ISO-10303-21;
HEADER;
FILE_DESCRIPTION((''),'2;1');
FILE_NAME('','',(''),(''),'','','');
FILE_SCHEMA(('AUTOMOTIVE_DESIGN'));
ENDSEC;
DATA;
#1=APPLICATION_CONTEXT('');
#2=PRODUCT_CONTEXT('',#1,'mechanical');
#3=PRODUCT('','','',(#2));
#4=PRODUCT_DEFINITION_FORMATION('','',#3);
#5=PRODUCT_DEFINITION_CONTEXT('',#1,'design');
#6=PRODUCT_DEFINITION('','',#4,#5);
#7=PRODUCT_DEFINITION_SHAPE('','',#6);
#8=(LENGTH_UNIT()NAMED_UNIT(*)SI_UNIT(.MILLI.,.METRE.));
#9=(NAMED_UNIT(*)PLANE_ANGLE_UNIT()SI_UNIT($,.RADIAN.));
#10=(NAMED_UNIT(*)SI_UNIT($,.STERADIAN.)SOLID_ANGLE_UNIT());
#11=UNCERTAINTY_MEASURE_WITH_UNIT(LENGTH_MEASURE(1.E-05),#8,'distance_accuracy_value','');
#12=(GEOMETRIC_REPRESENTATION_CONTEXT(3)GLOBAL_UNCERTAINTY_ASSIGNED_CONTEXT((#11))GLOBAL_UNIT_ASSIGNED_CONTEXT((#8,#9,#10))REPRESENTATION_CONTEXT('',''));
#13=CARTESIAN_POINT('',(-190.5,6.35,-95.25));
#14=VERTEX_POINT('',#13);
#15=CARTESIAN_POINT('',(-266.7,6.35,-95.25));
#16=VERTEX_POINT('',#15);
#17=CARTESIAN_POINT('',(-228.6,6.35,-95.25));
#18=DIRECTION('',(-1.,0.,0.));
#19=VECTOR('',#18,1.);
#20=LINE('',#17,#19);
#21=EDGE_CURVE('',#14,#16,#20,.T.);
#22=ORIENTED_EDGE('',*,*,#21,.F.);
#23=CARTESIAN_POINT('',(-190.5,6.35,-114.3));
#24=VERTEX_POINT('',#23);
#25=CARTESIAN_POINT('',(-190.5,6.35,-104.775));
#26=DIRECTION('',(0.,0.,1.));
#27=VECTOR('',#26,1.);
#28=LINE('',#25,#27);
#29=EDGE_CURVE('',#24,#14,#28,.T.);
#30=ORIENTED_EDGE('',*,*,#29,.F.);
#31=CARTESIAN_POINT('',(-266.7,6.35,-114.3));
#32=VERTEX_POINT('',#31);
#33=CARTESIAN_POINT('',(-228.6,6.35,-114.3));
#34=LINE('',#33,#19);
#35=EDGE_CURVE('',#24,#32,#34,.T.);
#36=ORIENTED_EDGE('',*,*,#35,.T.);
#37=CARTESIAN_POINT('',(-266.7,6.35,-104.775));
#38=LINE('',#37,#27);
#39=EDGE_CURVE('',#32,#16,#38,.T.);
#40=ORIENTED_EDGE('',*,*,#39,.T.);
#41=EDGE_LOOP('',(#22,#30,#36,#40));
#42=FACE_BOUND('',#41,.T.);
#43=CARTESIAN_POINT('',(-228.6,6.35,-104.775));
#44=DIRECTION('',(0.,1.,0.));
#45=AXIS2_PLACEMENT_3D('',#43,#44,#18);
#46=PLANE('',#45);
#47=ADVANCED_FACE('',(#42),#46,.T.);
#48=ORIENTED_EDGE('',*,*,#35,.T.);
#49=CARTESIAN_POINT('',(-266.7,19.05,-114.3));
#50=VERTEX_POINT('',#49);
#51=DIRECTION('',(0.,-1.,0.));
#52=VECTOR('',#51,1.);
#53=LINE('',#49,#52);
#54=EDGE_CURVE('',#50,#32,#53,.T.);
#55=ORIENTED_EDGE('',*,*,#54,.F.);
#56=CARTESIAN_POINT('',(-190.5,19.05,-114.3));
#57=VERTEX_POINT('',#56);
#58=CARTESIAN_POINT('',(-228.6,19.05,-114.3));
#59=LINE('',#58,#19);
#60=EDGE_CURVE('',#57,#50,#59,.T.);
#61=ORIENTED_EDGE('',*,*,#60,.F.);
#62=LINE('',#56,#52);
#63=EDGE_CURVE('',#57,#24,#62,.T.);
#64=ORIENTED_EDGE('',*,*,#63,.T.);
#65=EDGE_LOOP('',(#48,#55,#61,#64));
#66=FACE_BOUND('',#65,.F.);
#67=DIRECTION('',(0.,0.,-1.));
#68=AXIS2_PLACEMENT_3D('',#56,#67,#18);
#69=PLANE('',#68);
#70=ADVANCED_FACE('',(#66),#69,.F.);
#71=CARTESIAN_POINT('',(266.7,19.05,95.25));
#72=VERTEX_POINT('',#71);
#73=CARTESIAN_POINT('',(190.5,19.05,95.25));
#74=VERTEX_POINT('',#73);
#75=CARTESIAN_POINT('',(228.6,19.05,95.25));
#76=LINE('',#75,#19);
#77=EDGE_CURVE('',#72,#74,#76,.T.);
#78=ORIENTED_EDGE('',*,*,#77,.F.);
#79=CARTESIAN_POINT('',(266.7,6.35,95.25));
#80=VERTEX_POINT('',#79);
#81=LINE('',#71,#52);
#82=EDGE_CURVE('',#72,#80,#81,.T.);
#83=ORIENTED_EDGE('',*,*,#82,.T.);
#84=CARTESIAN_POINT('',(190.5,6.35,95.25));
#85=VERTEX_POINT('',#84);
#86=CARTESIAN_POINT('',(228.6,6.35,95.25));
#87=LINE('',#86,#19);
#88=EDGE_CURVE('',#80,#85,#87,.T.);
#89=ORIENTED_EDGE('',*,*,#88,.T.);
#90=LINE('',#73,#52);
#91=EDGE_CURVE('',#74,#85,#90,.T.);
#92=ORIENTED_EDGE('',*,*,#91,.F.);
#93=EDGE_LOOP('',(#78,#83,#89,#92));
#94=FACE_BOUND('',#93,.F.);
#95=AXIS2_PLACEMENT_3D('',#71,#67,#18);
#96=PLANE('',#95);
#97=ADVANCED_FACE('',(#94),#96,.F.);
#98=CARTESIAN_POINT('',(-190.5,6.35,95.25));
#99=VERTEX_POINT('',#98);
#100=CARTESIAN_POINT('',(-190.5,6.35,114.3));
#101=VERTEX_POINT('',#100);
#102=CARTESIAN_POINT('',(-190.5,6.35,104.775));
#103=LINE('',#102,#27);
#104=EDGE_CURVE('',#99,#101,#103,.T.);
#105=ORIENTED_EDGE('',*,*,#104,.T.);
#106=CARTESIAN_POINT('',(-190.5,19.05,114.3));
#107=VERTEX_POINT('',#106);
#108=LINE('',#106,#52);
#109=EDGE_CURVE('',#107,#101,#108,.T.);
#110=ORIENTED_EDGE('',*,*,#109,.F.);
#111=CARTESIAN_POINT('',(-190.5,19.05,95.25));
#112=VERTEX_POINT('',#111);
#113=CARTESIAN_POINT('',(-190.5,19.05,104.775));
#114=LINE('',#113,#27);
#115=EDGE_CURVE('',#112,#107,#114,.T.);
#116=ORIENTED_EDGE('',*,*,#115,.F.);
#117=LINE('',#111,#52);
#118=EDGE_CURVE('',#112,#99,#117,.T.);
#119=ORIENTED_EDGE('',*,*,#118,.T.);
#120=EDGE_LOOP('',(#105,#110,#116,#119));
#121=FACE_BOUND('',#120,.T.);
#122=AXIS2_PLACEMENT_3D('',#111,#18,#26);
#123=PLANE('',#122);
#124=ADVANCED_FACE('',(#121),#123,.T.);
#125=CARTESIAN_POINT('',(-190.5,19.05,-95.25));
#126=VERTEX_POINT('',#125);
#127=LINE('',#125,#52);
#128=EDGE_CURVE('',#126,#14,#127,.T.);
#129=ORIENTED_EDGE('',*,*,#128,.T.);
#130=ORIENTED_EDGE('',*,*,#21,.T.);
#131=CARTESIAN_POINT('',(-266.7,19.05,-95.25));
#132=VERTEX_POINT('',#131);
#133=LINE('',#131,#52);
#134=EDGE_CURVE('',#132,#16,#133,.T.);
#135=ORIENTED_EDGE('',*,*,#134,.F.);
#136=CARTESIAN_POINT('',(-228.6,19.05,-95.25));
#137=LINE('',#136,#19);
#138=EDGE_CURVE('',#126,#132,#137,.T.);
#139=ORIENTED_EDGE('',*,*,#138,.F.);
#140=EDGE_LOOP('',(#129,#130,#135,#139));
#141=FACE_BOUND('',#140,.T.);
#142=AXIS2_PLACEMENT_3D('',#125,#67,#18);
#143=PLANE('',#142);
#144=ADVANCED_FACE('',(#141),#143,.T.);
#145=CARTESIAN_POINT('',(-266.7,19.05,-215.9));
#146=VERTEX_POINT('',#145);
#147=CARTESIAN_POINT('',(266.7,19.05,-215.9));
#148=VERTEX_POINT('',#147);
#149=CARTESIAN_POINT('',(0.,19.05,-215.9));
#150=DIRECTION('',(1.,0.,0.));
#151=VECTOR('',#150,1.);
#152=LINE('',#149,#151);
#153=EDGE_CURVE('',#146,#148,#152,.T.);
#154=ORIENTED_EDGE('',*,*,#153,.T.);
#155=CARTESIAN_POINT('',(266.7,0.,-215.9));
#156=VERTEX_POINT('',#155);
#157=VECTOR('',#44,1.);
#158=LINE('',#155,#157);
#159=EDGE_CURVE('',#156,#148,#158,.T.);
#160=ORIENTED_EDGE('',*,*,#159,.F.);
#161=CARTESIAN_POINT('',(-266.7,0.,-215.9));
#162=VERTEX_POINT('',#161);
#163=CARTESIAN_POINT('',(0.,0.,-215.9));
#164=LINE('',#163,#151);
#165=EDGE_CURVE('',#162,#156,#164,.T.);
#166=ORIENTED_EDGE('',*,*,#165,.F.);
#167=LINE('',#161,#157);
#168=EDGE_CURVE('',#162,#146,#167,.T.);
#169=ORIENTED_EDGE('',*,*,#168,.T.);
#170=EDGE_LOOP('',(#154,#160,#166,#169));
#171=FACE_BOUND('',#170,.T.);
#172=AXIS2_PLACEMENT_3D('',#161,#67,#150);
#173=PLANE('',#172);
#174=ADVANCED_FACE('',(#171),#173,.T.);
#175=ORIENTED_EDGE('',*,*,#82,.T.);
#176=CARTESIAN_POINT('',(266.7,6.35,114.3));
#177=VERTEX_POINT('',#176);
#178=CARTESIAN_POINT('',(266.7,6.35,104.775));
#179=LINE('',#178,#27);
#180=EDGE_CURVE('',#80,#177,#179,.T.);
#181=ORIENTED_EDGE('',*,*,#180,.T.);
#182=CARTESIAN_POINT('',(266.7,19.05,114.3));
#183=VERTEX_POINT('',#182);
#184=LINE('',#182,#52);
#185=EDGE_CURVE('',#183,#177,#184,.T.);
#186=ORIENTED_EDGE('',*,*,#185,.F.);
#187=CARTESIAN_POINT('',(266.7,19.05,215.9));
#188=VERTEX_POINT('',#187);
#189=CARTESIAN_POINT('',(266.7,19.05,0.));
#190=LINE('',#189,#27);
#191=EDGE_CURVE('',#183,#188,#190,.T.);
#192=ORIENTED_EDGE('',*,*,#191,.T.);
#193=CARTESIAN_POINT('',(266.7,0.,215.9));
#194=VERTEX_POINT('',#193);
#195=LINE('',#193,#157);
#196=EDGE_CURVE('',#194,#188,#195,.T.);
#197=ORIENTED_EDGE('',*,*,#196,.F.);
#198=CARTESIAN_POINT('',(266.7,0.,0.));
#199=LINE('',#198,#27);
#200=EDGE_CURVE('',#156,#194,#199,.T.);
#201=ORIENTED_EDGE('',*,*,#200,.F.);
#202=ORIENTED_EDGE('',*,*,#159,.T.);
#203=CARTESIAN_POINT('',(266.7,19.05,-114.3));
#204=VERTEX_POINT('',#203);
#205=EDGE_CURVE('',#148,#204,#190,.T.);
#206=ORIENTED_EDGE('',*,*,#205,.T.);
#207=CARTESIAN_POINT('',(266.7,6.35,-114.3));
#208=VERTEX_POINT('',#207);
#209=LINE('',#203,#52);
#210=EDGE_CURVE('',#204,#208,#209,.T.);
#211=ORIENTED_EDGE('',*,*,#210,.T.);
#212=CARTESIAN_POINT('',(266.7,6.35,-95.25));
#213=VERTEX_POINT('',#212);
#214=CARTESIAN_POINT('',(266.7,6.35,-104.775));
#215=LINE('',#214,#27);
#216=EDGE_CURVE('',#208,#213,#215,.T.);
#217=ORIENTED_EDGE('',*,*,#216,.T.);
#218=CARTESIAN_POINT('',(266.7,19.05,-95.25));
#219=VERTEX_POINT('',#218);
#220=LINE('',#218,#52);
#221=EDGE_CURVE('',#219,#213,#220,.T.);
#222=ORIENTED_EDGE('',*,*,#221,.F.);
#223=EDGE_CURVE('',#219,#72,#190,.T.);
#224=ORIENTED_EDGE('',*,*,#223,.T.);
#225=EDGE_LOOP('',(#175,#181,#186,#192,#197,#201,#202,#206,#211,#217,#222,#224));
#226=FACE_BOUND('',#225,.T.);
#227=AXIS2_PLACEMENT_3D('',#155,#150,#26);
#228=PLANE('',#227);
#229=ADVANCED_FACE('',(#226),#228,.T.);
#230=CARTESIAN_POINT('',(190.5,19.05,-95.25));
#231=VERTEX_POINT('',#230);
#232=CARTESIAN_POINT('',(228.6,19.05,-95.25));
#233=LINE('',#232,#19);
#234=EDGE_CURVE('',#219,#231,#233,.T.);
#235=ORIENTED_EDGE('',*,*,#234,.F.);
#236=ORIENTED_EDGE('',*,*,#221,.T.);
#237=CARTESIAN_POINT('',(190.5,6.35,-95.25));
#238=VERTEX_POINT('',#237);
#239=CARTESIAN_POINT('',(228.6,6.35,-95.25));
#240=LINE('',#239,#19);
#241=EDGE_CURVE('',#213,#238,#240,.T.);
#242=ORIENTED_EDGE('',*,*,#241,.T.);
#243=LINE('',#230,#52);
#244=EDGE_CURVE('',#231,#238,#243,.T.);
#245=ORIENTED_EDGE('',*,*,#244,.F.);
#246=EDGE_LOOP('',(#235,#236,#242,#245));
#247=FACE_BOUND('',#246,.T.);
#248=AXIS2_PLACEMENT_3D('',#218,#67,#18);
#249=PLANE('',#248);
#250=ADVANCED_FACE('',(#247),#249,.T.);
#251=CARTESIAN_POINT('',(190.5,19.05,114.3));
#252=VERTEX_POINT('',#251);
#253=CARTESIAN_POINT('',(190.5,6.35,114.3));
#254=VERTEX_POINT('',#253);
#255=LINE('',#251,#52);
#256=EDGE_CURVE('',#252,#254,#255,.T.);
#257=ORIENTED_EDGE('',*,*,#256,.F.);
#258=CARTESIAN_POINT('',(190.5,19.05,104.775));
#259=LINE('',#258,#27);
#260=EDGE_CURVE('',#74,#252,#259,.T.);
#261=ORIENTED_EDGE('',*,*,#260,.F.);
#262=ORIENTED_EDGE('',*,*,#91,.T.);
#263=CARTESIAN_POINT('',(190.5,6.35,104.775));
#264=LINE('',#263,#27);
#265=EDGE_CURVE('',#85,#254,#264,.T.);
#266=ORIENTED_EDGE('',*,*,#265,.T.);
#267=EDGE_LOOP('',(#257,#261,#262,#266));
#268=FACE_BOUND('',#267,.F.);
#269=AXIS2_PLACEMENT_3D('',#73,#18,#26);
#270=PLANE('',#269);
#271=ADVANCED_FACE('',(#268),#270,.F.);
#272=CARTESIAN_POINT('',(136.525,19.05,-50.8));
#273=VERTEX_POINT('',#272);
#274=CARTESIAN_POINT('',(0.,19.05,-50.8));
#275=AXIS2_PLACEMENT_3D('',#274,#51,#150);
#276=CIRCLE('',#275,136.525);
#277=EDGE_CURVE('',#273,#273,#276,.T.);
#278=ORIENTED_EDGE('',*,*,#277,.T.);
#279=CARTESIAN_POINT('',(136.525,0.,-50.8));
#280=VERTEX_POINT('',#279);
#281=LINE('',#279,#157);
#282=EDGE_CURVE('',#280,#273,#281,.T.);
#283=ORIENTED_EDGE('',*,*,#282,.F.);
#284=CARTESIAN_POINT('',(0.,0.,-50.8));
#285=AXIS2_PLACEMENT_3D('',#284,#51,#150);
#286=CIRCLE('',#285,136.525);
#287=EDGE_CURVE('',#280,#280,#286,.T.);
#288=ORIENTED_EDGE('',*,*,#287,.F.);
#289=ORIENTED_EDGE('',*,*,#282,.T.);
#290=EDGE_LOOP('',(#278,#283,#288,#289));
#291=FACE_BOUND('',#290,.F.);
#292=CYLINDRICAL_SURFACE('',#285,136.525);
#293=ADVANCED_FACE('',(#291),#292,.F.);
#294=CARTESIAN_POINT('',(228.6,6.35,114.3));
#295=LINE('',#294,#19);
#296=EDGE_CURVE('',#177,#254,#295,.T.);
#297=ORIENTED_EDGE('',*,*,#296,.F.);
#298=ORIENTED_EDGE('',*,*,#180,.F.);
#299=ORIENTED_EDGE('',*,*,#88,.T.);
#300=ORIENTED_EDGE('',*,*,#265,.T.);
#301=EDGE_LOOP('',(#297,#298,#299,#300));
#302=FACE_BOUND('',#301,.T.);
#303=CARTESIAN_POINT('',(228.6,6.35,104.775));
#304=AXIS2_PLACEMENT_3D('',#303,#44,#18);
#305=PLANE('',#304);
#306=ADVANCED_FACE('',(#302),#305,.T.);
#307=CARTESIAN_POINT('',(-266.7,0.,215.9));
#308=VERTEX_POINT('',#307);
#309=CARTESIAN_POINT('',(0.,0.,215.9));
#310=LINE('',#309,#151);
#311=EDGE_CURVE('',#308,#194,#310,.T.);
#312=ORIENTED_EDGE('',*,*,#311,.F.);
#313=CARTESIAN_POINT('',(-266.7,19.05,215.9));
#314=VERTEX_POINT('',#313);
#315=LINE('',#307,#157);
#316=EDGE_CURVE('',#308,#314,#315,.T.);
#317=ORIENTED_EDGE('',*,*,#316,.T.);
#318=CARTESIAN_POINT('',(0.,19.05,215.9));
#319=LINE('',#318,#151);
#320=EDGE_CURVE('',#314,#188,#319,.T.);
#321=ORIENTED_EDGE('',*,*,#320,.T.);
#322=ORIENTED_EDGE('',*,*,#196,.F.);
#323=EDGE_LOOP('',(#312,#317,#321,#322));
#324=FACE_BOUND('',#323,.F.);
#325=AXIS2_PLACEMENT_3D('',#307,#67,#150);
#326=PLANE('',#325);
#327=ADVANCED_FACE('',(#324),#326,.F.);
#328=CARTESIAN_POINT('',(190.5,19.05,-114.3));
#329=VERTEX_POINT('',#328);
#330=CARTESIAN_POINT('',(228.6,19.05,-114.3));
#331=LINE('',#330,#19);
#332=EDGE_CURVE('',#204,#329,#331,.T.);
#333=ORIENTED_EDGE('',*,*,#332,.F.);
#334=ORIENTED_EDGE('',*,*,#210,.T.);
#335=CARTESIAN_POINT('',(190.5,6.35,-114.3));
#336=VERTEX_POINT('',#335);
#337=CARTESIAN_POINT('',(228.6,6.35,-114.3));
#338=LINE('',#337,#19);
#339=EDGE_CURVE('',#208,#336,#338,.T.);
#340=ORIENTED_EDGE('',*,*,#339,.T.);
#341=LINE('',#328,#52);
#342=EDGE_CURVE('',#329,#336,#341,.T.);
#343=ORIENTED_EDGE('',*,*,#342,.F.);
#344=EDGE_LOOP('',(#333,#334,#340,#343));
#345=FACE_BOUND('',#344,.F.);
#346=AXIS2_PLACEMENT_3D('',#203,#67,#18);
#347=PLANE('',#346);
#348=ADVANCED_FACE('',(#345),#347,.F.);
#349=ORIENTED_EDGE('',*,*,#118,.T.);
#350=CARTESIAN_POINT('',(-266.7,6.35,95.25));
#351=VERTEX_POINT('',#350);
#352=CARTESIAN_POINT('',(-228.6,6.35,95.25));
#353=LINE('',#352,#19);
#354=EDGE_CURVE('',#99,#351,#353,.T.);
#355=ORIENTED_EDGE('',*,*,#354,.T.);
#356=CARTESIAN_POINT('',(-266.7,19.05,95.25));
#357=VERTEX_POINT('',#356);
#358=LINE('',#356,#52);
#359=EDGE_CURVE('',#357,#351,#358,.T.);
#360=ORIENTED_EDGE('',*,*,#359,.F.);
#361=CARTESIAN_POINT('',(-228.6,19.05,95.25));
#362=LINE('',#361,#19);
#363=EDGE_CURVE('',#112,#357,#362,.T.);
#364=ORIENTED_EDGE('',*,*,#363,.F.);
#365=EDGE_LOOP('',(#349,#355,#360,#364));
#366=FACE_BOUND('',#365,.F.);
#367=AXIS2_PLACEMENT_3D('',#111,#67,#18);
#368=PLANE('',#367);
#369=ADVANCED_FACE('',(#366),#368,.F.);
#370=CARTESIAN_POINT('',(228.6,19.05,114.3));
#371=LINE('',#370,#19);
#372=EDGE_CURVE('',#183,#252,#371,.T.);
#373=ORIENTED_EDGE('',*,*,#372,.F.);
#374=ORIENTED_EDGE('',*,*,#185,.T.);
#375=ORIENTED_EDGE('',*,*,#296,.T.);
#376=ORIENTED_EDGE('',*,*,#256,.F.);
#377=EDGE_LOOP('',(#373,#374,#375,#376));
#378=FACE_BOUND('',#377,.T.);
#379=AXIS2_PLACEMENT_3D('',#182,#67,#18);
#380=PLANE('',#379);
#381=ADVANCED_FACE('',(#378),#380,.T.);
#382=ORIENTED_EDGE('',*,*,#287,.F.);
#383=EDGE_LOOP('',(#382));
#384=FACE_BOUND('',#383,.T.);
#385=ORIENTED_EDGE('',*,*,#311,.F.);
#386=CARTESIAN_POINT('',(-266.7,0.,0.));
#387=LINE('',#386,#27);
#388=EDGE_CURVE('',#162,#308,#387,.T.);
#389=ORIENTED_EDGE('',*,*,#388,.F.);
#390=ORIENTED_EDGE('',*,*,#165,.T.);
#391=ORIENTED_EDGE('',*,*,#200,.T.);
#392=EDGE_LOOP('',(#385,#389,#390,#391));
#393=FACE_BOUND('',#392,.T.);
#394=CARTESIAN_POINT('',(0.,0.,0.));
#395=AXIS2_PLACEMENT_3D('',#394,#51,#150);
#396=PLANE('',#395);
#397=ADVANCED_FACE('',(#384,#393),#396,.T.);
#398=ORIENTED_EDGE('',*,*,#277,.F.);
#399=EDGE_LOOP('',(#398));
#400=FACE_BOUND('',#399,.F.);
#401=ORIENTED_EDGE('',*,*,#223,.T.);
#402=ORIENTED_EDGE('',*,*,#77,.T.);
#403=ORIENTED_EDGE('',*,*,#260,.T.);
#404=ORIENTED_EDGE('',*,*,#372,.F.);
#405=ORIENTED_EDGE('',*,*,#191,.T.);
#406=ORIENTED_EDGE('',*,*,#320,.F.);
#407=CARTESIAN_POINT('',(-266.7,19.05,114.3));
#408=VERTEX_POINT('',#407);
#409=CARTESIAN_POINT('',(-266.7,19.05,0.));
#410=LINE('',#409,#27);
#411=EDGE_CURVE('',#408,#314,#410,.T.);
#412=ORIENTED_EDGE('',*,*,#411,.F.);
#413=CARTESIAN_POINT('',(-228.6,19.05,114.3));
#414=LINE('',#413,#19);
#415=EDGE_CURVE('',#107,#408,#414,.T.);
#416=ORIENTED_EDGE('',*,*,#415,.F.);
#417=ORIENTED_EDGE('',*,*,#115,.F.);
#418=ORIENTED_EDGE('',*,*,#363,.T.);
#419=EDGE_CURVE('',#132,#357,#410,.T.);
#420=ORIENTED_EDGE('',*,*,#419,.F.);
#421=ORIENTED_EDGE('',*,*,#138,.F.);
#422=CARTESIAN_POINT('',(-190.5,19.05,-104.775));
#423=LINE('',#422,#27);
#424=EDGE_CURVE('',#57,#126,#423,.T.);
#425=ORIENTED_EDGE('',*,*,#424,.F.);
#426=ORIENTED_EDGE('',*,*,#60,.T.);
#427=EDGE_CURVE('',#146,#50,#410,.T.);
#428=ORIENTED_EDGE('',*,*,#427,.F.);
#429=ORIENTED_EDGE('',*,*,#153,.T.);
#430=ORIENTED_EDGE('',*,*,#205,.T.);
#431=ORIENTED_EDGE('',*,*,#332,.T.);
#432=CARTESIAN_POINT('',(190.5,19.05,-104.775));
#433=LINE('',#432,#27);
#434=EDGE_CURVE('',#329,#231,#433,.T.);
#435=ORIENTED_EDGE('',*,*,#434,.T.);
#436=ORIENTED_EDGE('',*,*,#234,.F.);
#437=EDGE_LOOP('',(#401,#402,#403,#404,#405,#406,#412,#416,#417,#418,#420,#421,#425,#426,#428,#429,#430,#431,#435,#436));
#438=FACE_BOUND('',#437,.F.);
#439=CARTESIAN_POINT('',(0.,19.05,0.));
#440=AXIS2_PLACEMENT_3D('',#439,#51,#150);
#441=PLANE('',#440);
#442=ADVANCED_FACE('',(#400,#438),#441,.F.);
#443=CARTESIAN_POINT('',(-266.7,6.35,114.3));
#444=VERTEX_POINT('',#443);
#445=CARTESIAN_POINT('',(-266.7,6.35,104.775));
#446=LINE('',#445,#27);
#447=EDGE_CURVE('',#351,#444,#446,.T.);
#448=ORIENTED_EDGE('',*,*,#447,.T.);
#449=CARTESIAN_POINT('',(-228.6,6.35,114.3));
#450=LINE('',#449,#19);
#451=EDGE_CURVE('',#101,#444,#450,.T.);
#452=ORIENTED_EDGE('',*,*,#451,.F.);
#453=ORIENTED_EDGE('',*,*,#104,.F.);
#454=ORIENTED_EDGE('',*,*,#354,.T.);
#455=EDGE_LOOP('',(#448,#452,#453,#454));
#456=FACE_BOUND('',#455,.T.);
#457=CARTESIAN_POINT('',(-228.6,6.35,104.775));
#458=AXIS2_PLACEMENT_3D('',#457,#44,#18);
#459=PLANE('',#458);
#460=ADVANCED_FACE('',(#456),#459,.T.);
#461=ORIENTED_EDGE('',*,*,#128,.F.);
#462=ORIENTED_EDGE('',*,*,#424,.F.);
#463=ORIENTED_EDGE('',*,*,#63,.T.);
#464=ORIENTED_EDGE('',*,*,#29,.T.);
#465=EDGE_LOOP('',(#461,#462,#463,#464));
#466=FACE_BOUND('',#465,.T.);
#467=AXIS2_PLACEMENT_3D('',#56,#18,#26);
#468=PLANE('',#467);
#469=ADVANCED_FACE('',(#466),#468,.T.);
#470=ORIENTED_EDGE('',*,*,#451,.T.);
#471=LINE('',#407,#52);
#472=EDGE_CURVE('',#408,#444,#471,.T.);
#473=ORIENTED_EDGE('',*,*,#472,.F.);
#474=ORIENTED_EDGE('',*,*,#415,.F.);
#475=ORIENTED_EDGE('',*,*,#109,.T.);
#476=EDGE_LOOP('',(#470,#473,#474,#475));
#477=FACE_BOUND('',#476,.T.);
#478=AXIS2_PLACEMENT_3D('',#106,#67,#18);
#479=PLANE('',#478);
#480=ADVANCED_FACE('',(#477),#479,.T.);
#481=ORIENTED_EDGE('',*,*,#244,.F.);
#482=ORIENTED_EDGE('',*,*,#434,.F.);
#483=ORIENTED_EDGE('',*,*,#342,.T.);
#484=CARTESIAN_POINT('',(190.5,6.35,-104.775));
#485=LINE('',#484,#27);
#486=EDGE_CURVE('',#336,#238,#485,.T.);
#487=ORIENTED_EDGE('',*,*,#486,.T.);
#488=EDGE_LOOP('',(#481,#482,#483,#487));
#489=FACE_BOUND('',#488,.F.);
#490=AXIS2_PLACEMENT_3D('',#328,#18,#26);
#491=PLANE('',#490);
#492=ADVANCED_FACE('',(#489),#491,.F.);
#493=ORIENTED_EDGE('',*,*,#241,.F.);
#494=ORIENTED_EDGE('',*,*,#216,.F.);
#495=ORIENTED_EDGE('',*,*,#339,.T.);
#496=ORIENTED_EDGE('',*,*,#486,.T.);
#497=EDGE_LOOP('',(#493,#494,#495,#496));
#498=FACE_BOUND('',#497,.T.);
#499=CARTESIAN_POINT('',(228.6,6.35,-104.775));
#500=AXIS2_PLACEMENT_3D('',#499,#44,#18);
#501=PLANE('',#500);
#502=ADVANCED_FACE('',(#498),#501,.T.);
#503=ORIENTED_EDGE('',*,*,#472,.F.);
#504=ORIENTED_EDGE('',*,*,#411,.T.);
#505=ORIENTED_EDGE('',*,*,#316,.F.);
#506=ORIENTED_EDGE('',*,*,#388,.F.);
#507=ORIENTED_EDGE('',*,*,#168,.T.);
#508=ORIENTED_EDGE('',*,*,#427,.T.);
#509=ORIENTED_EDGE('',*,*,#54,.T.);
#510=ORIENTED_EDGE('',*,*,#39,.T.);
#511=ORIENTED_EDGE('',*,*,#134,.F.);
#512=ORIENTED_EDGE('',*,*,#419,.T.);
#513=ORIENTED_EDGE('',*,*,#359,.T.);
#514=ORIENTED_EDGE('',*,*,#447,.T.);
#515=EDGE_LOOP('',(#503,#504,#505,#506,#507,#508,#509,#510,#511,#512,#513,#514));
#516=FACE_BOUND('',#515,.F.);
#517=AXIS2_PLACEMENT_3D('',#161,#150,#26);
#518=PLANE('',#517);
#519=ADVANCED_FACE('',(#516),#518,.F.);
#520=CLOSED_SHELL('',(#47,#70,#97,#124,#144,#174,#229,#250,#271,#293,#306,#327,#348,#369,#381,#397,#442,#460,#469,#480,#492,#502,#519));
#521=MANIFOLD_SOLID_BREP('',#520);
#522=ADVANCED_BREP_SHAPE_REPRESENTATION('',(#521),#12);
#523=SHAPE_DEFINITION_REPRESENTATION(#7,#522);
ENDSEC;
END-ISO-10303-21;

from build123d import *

# Parameters (mm, degrees)
F0_W     = 533.4
F0_H     = 431.8
F0_R     = 136.525
F1_DEPTH = 19.05
F3_W     = 76.2
F3_H     = 19.05
F4_DEPTH = 12.7


with BuildPart() as f1:
    # F0 (on Front) → F1 (new body)
    with BuildSketch(Plane.XZ):
        Rectangle(F0_W, F0_H)
        with Locations((0, -50.8)):
            Circle(F0_R, mode=Mode.SUBTRACT)
    extrude(amount=-F1_DEPTH)

    # F3 (on face) → F4 (cut)
    with BuildSketch(Plane(origin=(0, 19.05, 0), x_dir=(-1, 0, 0), z_dir=(0, 1, 0))):
        with Locations((-228.6, 104.775)):
            Rectangle(F3_W, F3_H)
        with Locations((-228.6, -104.775)):
            Rectangle(F3_W, F3_H)
        with Locations((228.6, 104.775)):
            Rectangle(F3_W, F3_H)
        with Locations((228.6, -104.775)):
            Rectangle(F3_W, F3_H)
    extrude(amount=-F4_DEPTH, mode=Mode.SUBTRACT)


solid = f1.part
